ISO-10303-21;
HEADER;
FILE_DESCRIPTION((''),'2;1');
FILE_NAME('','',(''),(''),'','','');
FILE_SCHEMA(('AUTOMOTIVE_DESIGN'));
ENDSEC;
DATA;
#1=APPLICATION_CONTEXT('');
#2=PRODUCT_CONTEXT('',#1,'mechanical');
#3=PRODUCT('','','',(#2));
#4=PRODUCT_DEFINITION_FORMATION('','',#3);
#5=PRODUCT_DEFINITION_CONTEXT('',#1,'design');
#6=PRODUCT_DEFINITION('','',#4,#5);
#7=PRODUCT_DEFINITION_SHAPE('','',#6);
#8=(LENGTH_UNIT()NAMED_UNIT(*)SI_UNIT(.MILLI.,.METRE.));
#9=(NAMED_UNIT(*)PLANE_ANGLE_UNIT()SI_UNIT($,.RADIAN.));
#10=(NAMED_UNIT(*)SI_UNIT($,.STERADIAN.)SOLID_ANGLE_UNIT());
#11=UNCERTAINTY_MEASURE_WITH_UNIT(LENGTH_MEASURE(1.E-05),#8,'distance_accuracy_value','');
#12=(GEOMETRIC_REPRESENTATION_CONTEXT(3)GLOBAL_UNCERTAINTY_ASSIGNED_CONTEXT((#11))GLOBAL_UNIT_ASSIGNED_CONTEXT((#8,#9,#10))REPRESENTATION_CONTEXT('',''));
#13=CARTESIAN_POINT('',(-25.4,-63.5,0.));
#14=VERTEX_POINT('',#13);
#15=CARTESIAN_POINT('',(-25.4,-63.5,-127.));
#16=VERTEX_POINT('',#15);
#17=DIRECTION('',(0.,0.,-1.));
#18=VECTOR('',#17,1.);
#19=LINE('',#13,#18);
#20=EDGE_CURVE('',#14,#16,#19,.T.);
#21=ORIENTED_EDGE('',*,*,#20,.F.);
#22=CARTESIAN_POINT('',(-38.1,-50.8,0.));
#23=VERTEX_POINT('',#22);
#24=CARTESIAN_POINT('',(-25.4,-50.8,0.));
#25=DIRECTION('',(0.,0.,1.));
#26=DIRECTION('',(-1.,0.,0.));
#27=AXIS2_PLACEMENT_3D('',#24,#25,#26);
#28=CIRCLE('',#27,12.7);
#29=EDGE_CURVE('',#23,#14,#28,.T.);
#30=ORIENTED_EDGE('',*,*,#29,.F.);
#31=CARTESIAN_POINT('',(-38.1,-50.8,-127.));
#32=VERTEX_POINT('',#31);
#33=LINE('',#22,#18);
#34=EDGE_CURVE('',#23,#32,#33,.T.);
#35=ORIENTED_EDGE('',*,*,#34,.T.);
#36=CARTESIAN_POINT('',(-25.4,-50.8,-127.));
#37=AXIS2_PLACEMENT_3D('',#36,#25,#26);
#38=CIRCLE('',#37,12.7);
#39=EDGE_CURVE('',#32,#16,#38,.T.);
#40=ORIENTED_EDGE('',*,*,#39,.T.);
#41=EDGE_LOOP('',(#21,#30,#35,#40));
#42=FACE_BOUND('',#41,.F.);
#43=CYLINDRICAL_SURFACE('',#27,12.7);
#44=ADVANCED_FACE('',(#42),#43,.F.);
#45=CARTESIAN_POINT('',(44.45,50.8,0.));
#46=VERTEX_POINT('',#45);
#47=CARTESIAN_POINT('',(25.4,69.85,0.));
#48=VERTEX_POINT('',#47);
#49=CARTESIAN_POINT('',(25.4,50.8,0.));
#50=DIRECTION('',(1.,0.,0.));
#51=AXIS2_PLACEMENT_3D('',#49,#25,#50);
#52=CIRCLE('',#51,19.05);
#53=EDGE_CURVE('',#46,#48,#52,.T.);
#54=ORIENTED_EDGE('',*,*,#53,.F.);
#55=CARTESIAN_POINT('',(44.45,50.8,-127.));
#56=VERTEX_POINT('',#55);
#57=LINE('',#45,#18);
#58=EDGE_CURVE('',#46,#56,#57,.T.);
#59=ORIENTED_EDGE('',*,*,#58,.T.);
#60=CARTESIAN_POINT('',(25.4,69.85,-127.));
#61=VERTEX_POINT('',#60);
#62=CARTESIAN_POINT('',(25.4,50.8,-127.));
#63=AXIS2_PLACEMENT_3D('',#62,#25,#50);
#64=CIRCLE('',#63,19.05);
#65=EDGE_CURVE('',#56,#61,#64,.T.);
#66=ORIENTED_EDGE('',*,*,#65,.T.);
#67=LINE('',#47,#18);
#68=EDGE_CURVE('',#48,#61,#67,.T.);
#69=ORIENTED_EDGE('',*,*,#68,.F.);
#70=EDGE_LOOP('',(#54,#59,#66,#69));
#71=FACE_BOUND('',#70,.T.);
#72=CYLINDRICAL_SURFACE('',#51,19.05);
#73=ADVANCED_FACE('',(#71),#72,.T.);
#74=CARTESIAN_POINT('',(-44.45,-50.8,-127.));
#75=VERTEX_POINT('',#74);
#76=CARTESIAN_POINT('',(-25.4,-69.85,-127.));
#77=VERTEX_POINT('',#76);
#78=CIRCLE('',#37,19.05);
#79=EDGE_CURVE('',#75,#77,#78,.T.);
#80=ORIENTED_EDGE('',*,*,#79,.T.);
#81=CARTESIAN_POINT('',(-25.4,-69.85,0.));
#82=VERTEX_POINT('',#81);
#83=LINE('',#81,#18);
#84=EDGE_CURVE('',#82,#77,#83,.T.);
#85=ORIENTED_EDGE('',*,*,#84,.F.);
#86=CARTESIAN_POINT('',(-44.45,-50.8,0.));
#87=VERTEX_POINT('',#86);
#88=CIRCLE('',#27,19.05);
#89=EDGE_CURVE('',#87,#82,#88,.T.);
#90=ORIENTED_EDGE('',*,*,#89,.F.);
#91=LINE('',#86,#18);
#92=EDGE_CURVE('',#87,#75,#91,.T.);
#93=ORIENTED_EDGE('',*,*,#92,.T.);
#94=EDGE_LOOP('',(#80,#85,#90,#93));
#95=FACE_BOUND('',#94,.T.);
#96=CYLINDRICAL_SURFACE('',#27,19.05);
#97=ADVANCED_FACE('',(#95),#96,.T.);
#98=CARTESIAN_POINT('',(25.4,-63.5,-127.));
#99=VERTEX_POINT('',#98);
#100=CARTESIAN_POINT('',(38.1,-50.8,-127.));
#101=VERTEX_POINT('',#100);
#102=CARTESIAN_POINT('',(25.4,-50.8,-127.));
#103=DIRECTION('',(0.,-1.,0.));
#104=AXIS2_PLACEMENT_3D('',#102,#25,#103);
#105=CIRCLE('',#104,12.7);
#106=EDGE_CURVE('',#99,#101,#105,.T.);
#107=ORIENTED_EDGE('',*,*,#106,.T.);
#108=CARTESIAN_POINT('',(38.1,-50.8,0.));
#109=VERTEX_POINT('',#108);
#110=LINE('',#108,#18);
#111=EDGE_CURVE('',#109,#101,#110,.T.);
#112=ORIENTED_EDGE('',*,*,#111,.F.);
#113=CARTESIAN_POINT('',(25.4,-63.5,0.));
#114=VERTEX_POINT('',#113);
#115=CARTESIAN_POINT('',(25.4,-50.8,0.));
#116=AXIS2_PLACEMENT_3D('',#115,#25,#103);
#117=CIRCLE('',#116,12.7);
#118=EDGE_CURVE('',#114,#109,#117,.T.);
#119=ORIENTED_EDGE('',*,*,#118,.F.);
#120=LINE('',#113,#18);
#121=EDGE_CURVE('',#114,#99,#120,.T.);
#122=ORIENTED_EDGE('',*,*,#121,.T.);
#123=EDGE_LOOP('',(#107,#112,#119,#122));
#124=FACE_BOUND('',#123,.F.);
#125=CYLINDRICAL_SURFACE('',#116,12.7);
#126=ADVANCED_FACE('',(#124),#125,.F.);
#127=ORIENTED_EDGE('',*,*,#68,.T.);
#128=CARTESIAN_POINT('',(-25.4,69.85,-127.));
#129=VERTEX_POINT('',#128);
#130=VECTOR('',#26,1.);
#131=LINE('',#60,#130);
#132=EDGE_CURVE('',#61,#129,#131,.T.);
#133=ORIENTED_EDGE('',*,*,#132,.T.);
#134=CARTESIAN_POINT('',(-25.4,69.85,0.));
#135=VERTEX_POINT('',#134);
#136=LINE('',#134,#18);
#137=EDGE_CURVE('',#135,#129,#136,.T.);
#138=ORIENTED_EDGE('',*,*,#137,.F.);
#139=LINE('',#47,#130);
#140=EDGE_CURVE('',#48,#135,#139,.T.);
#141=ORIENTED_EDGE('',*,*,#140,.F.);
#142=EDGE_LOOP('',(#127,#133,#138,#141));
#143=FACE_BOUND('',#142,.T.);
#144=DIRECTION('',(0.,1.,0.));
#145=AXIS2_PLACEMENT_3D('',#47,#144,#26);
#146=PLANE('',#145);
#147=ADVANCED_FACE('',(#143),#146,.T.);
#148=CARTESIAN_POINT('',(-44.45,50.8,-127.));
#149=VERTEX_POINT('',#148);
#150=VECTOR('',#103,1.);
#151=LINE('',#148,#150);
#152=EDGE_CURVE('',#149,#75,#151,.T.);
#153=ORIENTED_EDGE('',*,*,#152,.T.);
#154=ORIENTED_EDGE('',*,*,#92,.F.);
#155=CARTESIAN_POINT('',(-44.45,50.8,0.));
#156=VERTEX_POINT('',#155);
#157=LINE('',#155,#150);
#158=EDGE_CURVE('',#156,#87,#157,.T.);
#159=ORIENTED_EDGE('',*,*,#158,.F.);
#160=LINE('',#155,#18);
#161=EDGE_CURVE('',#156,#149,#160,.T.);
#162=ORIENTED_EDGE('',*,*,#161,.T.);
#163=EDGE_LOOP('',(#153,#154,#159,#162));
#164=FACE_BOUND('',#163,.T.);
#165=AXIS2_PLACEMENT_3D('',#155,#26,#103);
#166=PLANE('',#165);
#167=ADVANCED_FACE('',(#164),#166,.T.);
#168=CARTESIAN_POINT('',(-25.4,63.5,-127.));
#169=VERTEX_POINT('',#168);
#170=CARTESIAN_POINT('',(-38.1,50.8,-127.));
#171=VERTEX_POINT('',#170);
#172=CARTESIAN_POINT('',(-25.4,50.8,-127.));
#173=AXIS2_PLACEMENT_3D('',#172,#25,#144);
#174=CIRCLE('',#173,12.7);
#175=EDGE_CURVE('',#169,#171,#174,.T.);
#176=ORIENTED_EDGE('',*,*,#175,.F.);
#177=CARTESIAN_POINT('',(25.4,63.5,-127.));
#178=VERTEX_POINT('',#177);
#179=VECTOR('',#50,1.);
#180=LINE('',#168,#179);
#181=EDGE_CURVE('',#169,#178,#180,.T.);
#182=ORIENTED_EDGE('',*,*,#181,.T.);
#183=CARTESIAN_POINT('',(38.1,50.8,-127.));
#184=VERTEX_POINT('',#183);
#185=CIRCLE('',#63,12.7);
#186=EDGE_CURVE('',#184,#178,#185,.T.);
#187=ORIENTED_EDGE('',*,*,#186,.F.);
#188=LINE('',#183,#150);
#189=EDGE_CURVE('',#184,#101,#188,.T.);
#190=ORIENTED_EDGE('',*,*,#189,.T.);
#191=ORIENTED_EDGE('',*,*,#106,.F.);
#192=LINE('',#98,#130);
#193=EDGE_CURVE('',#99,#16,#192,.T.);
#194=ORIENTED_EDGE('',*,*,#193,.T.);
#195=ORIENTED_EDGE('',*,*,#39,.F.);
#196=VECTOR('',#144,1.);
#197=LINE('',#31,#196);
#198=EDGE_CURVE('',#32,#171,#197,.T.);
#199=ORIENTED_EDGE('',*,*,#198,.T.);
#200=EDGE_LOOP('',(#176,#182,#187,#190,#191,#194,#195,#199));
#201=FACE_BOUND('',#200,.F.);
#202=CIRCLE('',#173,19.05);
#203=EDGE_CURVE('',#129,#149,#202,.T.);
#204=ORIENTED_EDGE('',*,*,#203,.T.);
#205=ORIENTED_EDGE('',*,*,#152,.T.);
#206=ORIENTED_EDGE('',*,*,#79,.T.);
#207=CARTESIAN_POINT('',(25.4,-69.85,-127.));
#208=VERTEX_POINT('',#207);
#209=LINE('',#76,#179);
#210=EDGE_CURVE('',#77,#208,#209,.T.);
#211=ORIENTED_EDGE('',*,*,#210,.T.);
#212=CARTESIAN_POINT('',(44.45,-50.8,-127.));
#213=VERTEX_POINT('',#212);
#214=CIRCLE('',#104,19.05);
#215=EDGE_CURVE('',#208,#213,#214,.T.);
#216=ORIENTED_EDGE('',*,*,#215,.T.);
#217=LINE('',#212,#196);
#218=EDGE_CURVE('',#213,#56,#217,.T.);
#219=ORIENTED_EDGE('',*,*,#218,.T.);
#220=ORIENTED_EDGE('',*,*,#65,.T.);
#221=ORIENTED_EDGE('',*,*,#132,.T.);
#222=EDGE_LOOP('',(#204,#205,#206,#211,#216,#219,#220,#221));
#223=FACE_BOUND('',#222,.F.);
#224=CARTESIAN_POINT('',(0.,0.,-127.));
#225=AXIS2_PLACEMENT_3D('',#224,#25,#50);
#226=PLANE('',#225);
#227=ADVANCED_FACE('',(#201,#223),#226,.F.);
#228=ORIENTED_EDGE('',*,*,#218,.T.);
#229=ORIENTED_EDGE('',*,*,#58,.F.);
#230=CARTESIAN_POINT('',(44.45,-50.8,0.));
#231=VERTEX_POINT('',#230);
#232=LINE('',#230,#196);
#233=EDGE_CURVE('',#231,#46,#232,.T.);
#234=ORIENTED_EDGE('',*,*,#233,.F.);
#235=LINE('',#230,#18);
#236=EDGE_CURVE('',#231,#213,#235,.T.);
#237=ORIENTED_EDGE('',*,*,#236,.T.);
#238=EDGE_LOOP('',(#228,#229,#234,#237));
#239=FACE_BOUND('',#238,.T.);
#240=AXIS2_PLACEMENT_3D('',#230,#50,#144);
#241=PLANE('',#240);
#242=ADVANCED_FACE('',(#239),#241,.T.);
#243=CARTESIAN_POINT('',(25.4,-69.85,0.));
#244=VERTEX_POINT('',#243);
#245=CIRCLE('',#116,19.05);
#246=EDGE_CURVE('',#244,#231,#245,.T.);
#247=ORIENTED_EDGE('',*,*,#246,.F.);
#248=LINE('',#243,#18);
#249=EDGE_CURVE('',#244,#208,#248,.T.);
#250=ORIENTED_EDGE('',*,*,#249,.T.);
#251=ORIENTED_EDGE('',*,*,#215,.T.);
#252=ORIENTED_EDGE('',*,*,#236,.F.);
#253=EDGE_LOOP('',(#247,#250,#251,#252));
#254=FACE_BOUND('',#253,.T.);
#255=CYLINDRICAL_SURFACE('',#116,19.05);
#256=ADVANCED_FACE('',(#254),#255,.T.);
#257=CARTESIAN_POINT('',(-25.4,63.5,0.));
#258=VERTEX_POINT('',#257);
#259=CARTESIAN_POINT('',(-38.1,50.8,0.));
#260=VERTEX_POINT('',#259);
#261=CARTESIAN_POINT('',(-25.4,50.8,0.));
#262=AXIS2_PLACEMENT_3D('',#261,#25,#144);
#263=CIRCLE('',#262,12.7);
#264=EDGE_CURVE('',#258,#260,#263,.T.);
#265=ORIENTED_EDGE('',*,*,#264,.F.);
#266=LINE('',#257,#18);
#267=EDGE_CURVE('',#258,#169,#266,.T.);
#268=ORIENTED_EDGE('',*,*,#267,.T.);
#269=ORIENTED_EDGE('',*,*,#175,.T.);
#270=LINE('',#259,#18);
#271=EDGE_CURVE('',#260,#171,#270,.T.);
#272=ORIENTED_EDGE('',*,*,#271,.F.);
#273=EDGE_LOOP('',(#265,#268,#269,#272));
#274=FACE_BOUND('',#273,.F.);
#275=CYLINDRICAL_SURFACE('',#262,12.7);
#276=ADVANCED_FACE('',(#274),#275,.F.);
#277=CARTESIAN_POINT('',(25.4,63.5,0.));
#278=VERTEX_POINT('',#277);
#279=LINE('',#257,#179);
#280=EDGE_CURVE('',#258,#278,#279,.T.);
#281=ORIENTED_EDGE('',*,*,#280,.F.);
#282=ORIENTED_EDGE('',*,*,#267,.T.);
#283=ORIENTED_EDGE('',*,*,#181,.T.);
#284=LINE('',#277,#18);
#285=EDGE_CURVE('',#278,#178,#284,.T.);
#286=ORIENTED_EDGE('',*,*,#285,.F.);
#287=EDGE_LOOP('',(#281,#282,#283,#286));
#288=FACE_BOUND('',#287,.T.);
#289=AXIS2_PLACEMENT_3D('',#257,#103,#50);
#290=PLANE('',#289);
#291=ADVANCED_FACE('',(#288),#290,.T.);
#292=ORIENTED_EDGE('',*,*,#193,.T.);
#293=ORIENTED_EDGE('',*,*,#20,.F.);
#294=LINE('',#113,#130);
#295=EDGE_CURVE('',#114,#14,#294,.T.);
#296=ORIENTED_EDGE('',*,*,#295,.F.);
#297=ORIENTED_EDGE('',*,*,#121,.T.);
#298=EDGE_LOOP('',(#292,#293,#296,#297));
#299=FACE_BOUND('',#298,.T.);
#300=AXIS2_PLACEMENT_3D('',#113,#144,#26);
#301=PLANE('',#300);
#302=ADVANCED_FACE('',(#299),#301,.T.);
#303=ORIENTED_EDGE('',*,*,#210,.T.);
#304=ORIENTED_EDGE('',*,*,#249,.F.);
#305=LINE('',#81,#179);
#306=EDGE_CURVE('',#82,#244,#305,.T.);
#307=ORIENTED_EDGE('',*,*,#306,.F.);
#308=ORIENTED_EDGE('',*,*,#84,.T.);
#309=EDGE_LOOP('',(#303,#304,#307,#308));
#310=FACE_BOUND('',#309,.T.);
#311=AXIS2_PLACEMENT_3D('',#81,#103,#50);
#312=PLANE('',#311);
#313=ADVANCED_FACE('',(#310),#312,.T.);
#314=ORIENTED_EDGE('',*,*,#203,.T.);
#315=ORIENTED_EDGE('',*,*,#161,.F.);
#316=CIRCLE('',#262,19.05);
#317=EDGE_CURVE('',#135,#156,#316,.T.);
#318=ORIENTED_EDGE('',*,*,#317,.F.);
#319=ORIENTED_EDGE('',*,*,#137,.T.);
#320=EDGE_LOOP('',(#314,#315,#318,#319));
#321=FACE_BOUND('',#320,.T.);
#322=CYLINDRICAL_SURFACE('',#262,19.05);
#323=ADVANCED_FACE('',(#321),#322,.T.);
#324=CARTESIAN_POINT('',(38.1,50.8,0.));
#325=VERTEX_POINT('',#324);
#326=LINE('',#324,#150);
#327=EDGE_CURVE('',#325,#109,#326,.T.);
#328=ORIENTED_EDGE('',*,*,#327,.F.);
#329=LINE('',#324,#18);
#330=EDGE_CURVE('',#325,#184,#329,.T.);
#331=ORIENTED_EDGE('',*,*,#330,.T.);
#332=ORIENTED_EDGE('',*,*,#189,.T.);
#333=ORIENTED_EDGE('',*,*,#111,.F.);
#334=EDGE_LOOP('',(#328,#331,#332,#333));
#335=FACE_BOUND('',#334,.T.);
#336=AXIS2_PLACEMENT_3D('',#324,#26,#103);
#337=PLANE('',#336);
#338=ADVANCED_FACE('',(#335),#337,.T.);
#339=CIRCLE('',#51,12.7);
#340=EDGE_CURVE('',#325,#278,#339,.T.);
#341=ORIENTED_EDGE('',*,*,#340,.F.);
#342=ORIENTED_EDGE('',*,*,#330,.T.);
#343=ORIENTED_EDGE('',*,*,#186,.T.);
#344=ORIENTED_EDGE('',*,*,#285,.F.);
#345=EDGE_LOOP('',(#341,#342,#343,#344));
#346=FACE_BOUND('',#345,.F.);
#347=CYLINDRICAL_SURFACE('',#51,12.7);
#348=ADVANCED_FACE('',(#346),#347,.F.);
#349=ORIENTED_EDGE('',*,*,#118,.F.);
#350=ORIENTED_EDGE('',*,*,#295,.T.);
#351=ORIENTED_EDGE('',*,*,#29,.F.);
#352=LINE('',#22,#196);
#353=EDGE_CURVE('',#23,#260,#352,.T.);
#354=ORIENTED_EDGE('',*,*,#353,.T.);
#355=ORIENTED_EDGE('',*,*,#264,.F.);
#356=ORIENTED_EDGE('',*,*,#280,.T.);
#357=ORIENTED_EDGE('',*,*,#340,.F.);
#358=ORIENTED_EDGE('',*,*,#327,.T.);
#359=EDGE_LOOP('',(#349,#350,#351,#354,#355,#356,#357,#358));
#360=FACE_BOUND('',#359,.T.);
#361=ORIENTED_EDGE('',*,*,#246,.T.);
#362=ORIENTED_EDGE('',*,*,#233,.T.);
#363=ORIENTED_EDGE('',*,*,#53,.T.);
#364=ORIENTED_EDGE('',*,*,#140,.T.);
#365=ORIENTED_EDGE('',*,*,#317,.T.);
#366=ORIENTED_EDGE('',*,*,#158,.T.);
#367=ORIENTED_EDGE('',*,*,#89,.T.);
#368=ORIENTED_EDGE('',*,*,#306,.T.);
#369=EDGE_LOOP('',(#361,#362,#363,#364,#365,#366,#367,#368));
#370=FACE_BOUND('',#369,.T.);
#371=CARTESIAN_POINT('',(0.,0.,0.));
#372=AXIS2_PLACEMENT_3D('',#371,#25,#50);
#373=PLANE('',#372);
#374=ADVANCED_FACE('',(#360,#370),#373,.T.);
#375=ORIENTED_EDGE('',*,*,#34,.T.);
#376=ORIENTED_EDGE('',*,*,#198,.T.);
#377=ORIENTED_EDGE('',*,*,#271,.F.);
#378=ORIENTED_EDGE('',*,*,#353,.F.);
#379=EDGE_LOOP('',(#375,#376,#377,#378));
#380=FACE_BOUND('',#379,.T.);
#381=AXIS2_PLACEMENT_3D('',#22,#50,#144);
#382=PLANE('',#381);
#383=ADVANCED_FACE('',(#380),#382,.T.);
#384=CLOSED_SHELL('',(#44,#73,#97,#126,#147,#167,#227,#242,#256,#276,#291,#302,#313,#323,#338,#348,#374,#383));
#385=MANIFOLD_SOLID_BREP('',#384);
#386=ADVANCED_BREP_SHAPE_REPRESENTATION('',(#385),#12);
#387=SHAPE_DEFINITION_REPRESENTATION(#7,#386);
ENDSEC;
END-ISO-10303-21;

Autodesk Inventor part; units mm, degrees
ref_plane "YZ Plane" through (0, 0, 0) normal (1, 0, 0) x (0, 1, 0)
ref_plane "XZ Plane" through (0, 0, 0) normal (0, 1, 0) x (-1, 0, 0)
ref_plane "XY Plane" through (0, 0, 0) normal (0, 0, 1) x (1, 0, 0)
sketch "Sketch1" plane through (0, 0, 0) normal (0, 0, 1) x (1, 0, 0)
  line L0 (-25.4, 63.5) -> (25.4, 63.5)
  line L1 (38.1, 50.8) -> (38.1, -50.8)
  line L2 (25.4, -63.5) -> (-25.4, -63.5)
  line L3 (-38.1, -50.8) -> (-38.1, 50.8)
  line L4 (-38.1, 63.5) -> (38.1, -63.5) construction
  line L5 (38.1, 63.5) -> (-38.1, -63.5) construction
  arc A0 (-25.4, 63.5) -> (-38.1, 50.8) centre (-25.4, 50.8) ccw
  arc A1 (38.1, 50.8) -> (25.4, 63.5) centre (25.4, 50.8) ccw
  arc A2 (25.4, -63.5) -> (38.1, -50.8) centre (25.4, -50.8) ccw
  arc A3 (-38.1, -50.8) -> (-25.4, -63.5) centre (-25.4, -50.8) ccw
  line L6 (25.4, 69.85) -> (-25.4, 69.85)
  arc A4 (-25.4, 69.85) -> (-44.45, 50.8) centre (-25.4, 50.8) ccw
  line L7 (-44.45, 50.8) -> (-44.45, -50.8)
  arc A5 (-44.45, -50.8) -> (-25.4, -69.85) centre (-25.4, -50.8) ccw
  line L8 (-25.4, -69.85) -> (25.4, -69.85)
  arc A6 (25.4, -69.85) -> (44.45, -50.8) centre (25.4, -50.8) ccw
  line L9 (44.45, -50.8) -> (44.45, 50.8)
  arc A7 (44.45, 50.8) -> (25.4, 69.85) centre (25.4, 50.8) ccw
  point P0 (0, 0)
  dimension "d0" = 127
  dimension "d1" = 76.2
  dimension "d2" = 12.7
  dimension "d3" = 6.35
extrude "Extrusion1" add sketch "Sketch1" against normal blind 127
properties part number "class1" material "Iron, Ductile"
